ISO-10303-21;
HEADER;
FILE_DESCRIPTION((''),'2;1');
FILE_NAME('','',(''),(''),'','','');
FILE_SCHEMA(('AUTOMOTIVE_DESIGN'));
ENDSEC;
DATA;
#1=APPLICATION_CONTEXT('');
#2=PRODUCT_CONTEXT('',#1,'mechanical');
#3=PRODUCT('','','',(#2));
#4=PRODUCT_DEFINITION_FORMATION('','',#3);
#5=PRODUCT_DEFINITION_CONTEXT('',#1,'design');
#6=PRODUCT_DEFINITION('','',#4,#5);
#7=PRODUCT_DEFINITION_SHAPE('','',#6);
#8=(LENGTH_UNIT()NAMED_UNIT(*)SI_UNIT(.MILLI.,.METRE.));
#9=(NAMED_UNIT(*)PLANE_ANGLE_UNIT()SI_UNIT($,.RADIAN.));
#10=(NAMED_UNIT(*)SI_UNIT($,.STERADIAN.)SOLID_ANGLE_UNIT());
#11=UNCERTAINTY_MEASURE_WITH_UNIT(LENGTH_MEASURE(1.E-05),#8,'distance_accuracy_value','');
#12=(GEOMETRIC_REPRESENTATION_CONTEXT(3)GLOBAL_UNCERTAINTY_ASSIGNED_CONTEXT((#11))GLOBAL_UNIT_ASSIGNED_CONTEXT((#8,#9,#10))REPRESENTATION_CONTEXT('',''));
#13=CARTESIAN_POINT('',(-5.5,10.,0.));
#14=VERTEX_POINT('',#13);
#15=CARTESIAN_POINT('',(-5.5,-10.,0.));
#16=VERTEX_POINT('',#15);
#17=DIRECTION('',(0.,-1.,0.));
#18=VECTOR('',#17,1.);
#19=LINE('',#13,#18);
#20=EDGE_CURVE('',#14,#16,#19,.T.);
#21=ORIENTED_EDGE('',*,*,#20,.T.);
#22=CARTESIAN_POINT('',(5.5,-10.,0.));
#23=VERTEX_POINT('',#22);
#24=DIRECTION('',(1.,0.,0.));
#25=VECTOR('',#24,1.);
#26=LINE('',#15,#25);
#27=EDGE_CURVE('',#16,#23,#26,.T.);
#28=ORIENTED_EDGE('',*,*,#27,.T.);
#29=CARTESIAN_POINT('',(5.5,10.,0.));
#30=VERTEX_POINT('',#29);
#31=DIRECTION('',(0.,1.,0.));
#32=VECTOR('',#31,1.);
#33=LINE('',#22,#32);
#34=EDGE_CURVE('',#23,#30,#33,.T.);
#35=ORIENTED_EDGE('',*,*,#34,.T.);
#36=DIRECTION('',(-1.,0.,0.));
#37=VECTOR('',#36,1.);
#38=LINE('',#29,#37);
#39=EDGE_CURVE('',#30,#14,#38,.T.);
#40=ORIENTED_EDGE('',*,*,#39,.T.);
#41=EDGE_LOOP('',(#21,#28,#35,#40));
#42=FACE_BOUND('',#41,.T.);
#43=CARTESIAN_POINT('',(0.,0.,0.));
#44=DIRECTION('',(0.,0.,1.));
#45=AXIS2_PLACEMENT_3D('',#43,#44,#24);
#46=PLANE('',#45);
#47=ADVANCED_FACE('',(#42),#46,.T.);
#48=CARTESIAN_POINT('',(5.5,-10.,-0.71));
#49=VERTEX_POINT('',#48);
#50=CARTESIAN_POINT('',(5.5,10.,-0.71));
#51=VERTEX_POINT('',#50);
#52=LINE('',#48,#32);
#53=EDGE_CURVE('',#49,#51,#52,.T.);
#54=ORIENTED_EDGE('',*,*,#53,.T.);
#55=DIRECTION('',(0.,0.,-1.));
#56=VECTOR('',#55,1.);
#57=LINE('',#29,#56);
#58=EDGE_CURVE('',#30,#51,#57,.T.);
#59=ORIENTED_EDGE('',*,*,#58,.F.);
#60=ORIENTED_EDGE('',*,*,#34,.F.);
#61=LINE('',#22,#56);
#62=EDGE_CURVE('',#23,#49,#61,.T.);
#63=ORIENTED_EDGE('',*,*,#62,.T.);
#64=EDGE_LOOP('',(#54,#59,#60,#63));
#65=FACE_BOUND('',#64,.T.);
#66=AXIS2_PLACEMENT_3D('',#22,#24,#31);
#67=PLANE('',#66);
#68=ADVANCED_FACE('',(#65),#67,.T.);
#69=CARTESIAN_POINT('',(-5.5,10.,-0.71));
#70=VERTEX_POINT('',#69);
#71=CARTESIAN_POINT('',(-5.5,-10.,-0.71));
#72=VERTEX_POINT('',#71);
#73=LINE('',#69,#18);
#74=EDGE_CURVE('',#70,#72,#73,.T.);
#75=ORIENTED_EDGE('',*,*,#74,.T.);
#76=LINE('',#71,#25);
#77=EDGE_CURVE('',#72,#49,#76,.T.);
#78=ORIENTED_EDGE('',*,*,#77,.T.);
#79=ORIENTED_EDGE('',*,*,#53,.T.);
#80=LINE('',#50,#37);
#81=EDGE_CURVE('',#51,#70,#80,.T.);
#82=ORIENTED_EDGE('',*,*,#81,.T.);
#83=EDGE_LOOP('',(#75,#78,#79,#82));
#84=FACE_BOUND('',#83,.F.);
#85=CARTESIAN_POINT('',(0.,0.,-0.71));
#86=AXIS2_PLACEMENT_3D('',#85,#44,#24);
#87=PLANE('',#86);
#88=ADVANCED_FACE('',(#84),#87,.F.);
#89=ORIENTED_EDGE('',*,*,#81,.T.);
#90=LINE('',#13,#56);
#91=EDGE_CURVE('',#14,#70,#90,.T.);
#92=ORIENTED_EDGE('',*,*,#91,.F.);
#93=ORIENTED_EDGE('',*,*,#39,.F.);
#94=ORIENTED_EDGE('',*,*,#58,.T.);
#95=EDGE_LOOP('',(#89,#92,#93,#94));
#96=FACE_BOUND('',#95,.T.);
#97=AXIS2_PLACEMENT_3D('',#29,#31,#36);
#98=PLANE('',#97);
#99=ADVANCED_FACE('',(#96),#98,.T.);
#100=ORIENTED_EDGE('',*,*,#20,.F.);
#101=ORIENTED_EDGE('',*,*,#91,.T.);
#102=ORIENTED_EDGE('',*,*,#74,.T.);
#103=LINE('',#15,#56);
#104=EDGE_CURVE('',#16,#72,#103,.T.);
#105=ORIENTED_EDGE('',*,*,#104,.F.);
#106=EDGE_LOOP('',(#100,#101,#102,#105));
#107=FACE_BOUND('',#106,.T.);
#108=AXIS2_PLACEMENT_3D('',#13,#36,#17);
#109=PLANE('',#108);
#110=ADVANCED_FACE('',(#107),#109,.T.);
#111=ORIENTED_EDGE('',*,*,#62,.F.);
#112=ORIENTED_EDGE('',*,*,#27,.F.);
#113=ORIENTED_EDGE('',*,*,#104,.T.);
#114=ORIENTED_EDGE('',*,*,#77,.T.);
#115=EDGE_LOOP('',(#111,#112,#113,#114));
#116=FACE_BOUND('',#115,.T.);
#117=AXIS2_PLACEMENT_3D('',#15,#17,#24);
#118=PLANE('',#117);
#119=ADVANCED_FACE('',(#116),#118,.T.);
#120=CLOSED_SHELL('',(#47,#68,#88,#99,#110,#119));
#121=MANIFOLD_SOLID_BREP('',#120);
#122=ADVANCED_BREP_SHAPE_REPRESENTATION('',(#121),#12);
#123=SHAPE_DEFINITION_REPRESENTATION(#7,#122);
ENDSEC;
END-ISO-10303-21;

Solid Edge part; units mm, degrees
sketch "Sketch1" plane through (0, 0, 0) normal (0, 0, 1) x (1, 0, 0)
  line L0 (-5.5, -10) -> (5.5, -10)
  line L1 (5.5, -10) -> (5.5, 10)
  line L2 (5.5, 10) -> (-5.5, 10)
  line L3 (-5.5, 10) -> (-5.5, -10)
extrude "Protrusion1" add sketch "Sketch1" against normal blind 0.71
